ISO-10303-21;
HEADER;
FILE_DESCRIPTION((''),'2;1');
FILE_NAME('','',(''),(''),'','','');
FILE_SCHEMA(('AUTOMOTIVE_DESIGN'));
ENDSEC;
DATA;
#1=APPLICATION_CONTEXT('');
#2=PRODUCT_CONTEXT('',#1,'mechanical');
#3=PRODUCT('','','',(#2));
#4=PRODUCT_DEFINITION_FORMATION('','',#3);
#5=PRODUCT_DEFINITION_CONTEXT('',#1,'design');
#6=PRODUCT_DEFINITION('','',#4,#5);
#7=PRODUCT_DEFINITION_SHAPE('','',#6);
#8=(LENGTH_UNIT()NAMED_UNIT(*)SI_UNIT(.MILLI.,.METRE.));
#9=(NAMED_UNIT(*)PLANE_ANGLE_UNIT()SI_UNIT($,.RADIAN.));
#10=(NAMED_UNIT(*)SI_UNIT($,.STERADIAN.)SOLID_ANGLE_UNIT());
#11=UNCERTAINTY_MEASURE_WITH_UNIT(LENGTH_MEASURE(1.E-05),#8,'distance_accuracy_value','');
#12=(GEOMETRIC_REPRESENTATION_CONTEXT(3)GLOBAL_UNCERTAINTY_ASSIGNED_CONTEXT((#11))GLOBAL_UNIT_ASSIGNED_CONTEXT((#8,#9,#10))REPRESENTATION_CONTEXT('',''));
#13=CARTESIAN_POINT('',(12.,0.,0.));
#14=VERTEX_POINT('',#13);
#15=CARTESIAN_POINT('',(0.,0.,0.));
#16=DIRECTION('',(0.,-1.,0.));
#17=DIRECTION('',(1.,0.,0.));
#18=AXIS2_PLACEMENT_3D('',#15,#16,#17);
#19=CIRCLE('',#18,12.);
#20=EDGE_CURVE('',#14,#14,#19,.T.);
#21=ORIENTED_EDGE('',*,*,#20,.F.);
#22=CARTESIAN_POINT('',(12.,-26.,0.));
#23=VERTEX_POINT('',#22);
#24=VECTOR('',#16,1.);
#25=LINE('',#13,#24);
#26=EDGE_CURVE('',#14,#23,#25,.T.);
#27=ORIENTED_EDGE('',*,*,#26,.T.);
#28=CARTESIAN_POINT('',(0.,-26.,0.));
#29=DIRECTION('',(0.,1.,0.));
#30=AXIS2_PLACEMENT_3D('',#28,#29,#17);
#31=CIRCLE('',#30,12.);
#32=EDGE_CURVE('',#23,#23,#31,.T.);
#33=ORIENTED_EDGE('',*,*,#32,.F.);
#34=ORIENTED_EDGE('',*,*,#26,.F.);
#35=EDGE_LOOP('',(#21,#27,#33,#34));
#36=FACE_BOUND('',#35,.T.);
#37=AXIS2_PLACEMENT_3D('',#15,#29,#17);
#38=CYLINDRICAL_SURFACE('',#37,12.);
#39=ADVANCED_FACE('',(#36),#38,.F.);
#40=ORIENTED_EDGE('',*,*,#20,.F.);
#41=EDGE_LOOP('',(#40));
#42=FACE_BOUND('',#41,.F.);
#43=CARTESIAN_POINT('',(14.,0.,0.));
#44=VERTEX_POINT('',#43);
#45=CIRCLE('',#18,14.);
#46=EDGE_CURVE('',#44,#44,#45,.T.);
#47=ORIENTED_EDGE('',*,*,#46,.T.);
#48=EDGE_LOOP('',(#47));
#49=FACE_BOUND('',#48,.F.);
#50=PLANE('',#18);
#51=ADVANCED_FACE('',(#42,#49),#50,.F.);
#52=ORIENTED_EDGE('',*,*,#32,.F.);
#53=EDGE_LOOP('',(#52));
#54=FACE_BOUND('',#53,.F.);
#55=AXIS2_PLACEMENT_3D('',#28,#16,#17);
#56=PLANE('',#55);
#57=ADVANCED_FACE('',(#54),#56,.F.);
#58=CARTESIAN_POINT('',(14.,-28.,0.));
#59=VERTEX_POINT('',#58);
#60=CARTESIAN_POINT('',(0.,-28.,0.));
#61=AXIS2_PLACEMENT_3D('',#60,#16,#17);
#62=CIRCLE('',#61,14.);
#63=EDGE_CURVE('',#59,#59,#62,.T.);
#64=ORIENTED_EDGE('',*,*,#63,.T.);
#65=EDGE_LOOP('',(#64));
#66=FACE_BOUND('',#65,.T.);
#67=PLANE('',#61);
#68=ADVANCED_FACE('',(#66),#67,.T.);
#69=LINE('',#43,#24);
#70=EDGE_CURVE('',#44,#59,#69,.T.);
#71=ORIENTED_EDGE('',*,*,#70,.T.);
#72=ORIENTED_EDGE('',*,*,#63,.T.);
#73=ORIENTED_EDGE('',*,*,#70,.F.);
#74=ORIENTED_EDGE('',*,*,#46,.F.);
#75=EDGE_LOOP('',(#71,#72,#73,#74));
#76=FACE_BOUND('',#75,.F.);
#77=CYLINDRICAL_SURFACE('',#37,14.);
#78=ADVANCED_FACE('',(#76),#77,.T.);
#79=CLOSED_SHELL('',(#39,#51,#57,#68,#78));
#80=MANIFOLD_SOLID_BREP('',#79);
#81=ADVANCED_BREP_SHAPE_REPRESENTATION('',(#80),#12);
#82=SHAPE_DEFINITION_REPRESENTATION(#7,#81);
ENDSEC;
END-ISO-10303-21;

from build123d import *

# Parameters (mm, degrees)
F0_R     = 14
F0_R_2   = 12
F1_DEPTH = 28
F2_R     = 14
F3_DEPTH = 2


with BuildPart() as f1:
    # F0 (on Front) → F1 (new body)
    with BuildSketch(Plane.XZ):
        Circle(F0_R)
        Circle(F0_R_2, mode=Mode.SUBTRACT)
    extrude(amount=F1_DEPTH)

    # F2 (on face) → F3 (join)
    with BuildSketch(Plane.XZ.offset(28)):
        Circle(F2_R)
    extrude(amount=-F3_DEPTH)


solid = f1.part
